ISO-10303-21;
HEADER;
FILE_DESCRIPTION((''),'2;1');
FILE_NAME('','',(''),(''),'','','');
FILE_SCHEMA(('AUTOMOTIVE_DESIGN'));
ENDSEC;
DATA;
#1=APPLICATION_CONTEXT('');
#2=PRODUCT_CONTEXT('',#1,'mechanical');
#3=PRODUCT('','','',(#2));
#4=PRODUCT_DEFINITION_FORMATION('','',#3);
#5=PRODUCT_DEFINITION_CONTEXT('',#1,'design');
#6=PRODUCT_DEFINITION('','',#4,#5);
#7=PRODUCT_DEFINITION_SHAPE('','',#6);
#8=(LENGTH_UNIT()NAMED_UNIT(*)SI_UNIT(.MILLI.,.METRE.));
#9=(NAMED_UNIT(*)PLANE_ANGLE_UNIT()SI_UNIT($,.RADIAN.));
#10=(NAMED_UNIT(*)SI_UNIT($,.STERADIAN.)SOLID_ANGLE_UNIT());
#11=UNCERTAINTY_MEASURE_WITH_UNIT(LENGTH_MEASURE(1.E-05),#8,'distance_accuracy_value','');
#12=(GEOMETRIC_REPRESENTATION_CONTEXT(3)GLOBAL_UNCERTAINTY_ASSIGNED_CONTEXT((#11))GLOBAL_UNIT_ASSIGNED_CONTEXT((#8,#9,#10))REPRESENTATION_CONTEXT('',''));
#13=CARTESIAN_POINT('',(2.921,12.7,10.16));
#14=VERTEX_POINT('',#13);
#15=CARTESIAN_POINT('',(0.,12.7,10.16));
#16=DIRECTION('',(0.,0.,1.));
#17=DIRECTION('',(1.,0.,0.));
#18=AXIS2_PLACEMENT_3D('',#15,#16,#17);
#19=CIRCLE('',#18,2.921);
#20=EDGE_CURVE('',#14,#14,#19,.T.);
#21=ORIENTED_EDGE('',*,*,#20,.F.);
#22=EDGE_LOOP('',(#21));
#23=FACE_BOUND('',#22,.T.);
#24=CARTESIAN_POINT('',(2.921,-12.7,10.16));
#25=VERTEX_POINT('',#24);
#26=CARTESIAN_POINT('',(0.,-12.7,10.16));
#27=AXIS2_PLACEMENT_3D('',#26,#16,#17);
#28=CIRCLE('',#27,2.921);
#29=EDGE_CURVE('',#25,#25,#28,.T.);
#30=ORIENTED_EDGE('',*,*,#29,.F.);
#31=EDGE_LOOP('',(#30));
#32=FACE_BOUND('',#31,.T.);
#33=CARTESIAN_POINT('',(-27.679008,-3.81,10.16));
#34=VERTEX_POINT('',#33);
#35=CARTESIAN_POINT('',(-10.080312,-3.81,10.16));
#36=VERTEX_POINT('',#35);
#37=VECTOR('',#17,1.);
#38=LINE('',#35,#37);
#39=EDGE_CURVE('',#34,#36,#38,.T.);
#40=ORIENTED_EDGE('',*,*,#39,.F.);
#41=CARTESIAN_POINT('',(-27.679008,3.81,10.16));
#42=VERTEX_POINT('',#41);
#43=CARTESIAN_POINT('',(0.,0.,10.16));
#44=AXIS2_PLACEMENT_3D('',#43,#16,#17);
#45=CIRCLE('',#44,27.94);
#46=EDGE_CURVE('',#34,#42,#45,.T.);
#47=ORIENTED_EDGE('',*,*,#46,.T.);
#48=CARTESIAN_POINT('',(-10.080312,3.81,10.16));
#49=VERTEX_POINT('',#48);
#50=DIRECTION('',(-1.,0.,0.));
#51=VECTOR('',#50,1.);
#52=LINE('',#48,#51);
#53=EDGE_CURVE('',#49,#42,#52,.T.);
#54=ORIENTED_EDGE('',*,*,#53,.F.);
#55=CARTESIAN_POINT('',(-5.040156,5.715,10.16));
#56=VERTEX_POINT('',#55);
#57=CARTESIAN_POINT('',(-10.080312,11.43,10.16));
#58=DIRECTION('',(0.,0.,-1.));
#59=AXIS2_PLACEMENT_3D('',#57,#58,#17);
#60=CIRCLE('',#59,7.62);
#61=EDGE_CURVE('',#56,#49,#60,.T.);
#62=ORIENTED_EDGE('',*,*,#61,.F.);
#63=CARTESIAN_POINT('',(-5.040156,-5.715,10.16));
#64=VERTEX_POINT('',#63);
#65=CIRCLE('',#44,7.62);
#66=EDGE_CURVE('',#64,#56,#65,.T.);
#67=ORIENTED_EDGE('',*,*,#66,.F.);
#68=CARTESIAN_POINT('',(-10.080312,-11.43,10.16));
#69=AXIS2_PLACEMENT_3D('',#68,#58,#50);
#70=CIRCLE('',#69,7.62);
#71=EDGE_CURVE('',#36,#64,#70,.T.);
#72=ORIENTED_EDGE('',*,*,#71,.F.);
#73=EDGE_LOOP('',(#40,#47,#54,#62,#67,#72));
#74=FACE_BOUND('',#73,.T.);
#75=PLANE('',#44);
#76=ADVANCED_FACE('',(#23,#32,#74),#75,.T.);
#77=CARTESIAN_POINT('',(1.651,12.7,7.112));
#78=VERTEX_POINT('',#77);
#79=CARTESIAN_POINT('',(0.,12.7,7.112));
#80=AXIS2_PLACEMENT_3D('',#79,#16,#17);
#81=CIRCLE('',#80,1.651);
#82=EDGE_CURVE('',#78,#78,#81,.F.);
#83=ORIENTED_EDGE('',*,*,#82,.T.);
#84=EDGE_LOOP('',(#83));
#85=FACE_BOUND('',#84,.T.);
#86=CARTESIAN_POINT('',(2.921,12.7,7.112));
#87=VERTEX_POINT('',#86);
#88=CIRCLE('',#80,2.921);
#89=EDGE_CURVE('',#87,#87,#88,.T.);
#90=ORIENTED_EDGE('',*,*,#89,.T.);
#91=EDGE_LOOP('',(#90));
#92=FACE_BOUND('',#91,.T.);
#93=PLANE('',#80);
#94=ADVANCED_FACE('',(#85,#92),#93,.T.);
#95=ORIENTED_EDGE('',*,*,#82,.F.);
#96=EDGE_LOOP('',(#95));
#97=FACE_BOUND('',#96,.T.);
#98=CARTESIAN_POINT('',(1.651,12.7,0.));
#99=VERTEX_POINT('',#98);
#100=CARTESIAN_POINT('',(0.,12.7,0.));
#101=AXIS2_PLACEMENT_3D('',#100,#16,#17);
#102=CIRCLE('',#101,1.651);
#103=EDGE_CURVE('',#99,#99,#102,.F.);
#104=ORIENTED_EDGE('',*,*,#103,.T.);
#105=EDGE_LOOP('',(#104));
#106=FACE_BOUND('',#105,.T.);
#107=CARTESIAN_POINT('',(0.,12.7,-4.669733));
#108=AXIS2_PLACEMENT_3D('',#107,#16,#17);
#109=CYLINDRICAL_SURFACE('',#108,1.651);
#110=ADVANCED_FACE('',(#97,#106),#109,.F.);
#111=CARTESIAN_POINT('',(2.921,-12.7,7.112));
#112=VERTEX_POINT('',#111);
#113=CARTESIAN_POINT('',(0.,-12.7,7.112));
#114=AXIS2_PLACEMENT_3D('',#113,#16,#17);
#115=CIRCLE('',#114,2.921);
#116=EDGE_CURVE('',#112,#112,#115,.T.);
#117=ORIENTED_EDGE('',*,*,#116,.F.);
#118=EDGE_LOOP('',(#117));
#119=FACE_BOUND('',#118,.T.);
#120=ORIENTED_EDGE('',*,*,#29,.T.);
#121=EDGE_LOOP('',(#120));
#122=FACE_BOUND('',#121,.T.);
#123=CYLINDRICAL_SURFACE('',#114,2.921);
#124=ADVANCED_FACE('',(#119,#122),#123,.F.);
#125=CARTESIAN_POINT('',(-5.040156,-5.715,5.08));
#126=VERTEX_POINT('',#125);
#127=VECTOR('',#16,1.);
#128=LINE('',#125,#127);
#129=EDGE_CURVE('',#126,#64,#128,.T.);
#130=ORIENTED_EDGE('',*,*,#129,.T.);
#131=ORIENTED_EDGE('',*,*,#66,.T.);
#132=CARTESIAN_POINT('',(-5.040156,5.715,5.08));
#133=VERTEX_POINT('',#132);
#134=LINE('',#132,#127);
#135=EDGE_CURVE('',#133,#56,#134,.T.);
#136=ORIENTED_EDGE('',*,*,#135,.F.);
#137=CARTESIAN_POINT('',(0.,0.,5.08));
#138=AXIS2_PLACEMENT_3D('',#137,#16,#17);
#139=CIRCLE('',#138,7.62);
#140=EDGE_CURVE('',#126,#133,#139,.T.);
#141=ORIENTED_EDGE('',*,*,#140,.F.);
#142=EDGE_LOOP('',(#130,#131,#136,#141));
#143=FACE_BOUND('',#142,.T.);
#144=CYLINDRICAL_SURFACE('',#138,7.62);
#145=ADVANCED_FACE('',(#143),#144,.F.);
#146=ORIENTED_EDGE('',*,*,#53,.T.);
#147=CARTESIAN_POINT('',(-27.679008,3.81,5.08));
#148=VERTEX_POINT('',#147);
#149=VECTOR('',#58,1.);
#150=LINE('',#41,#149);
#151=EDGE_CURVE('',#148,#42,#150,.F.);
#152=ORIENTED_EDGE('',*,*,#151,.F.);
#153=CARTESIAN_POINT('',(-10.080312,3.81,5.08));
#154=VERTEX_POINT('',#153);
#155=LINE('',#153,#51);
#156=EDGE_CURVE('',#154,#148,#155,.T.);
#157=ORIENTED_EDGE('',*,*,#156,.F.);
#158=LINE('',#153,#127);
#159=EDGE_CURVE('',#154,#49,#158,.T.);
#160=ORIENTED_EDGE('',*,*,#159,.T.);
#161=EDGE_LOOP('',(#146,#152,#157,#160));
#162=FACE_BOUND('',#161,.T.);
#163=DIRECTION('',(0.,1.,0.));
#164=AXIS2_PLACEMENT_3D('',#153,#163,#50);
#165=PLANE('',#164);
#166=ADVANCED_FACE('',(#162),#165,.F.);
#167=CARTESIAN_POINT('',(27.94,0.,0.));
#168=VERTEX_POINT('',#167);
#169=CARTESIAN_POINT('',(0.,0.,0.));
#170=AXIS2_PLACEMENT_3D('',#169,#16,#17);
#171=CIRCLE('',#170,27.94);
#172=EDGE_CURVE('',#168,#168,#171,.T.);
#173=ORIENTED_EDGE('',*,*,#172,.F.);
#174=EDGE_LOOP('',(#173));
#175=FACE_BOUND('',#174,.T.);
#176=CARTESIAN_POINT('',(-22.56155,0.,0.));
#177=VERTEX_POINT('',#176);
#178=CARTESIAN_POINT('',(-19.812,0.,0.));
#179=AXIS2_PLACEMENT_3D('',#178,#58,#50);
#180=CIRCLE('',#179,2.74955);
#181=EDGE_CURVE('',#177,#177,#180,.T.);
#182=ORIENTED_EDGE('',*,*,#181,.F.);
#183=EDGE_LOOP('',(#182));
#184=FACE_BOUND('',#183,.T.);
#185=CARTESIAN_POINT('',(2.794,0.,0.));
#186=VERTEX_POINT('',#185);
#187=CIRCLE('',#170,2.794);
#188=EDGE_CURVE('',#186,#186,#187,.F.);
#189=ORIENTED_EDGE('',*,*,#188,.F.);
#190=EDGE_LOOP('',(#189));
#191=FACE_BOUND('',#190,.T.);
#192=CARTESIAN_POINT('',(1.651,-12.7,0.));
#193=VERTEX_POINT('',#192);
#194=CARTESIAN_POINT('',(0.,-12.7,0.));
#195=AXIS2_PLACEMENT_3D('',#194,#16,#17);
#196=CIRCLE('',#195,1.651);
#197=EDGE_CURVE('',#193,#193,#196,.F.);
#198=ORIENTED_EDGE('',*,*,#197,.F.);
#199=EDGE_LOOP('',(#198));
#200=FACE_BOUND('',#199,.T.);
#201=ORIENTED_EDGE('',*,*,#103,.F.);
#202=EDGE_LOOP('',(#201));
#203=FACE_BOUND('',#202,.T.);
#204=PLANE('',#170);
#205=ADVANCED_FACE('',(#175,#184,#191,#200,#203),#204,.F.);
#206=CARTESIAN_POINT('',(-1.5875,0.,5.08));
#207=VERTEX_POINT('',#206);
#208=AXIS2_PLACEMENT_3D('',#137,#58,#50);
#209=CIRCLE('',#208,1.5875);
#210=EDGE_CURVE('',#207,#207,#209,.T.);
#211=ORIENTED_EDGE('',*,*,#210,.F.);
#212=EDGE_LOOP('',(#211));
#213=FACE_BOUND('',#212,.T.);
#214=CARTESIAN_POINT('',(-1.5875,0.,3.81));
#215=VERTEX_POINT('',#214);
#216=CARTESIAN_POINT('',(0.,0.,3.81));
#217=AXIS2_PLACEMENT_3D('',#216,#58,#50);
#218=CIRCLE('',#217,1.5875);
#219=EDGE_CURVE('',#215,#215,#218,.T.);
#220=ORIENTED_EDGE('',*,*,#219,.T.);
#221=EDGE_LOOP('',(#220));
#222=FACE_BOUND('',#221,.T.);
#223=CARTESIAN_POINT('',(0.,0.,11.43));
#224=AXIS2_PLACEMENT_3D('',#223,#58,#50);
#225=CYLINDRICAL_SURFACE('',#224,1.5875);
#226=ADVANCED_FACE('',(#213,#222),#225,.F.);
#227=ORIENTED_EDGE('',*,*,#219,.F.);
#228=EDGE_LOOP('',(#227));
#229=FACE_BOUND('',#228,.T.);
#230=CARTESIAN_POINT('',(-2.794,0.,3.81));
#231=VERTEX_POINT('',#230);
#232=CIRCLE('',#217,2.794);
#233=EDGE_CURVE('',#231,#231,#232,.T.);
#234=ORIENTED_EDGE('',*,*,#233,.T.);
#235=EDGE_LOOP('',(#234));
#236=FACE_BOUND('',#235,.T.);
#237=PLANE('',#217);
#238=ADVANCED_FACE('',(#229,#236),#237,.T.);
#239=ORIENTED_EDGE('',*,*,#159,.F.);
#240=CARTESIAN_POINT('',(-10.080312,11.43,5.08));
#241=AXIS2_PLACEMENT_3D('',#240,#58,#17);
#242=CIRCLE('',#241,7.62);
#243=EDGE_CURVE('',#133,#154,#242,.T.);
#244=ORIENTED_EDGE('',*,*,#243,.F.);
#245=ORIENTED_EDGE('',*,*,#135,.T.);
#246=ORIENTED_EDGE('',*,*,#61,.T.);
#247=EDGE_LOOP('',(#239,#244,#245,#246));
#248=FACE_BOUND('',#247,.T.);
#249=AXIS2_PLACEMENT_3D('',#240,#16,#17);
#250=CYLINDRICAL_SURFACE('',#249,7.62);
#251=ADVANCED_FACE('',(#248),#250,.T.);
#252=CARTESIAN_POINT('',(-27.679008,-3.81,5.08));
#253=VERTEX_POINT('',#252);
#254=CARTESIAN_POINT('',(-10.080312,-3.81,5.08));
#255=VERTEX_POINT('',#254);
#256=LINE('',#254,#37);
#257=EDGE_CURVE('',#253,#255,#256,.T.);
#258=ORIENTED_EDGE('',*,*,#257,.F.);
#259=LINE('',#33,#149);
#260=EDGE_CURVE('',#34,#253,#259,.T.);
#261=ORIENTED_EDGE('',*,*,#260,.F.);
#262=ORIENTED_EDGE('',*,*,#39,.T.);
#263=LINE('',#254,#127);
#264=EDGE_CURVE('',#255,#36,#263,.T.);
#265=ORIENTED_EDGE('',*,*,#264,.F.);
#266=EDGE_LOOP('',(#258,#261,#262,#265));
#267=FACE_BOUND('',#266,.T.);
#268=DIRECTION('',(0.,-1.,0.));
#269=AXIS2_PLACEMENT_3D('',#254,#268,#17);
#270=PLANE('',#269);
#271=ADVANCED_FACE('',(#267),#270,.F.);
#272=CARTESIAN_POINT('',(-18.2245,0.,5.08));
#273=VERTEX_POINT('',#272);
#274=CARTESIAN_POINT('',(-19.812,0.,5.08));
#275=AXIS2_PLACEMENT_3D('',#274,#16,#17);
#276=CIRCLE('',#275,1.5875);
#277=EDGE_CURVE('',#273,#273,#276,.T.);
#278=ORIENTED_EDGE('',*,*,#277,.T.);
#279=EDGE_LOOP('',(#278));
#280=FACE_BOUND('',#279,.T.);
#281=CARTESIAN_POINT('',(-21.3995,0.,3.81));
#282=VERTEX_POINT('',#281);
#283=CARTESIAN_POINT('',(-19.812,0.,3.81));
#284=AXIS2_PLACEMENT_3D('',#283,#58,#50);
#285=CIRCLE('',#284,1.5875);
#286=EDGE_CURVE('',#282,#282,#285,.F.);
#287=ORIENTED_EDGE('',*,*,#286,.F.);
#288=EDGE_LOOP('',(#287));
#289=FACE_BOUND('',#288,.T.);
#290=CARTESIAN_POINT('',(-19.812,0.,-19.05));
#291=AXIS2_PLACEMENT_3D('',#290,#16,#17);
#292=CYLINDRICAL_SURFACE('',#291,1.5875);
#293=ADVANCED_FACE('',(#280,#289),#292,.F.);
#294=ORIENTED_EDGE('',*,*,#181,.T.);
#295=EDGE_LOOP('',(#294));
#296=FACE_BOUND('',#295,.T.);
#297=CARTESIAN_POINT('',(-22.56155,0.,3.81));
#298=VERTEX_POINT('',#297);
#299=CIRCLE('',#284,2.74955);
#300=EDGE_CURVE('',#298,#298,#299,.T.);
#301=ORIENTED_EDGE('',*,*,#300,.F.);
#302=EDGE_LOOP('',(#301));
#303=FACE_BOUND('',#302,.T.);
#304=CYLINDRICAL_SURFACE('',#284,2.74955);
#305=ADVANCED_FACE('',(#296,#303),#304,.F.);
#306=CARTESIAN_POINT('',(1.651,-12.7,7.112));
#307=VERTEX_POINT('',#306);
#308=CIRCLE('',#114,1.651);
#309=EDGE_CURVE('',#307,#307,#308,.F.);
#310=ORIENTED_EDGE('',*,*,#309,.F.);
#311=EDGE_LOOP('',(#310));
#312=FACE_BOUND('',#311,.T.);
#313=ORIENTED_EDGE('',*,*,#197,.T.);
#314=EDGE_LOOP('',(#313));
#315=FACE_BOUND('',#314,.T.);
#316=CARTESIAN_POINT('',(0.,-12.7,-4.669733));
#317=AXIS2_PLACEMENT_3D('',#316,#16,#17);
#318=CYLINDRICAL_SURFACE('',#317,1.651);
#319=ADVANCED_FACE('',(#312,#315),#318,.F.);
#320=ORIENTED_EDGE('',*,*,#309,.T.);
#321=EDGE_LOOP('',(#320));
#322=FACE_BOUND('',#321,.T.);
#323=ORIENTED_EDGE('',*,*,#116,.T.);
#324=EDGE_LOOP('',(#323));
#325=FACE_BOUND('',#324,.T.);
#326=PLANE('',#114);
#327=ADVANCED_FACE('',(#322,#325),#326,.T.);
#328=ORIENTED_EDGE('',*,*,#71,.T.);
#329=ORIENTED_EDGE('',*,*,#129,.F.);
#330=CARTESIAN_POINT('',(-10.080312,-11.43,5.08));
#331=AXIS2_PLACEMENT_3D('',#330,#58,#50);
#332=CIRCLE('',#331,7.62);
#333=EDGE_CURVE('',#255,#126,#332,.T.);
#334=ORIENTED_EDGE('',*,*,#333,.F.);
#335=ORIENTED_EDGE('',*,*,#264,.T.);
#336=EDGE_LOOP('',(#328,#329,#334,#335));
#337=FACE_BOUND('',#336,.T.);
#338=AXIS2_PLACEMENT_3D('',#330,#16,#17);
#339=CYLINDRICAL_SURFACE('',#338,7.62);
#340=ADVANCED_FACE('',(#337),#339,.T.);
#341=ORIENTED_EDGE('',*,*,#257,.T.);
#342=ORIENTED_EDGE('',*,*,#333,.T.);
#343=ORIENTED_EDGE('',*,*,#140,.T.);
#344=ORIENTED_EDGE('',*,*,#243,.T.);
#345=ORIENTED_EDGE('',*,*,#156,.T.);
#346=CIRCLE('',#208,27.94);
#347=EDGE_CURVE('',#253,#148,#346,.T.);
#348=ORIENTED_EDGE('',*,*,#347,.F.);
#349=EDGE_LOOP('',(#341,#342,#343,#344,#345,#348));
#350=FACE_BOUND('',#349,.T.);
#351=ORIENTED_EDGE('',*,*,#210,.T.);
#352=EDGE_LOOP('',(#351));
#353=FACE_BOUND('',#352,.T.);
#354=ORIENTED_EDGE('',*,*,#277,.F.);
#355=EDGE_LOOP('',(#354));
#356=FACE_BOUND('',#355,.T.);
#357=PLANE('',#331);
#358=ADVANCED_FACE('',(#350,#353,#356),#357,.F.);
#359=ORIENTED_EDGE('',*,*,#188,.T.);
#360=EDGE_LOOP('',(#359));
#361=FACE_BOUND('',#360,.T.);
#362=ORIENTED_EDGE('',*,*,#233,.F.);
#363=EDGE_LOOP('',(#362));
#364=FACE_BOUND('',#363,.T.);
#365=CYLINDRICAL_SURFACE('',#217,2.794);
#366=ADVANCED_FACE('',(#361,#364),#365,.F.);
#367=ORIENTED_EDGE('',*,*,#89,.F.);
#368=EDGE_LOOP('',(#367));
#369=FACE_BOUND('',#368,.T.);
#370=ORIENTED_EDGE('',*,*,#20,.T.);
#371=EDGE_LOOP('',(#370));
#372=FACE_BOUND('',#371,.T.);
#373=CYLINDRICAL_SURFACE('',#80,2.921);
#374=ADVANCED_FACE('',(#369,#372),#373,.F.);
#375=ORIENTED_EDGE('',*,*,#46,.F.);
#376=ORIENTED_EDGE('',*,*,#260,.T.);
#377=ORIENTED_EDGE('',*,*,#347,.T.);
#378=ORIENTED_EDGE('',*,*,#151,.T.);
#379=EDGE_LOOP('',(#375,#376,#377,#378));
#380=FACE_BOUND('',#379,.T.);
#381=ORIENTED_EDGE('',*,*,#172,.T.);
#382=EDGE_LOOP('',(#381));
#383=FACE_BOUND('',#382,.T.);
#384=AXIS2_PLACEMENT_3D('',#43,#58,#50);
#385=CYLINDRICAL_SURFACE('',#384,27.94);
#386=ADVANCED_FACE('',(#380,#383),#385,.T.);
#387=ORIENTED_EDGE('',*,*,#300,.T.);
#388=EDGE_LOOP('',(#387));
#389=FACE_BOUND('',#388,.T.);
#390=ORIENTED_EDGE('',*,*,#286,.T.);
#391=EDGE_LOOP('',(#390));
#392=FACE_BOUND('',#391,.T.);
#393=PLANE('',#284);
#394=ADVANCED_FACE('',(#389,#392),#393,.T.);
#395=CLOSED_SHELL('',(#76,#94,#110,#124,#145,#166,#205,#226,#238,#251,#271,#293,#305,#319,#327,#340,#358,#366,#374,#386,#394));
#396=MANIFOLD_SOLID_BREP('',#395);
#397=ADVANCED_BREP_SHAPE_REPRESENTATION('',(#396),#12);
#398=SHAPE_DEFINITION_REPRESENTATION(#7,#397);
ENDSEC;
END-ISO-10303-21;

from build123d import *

# Parameters (mm, degrees)
SKETCH3_R                = 7.408333333
BOSS_EXTRUDE1_DEPTH      = 7.62
CUT_EXTRUDE1_START       = -8.62
CUT_EXTRUDE1_DEPTH       = 9.62
FILLET1_R                = 0.355076163
CIRPATTERN1_COUNT        = 12
FILLET1_OF_CIRPATTERN1_R = 0.355076163
SCALE1_SCALE             = 2.5
SKETCH10_R               = 27.94
BOSS_EXTRUDE4_DEPTH      = 10.16
SKETCH11_R               = 5.08
CUT_EXTRUDE5_DEPTH       = 30.21
CUT_EXTRUDE6_DEPTH       = 5.08
SKETCH13_R               = 1.5875
CUT_EXTRUDE12_DEPTH      = 25.1300001
SKETCH16_R               = 2.74955
CUT_EXTRUDE13_DEPTH      = 3.81
SKETCH18_R               = 5.08
BOSS_EXTRUDE5_DEPTH      = 24.13
SKETCH19_R               = 2.794
CUT_EXTRUDE14_DEPTH      = 22.86
SKETCH20_R               = 1.5875
CUT_EXTRUDE15_DEPTH      = 7.62
SKETCH21_R               = 26.202104712
GEAR_CUT_EXTRUDE_DEPTH   = 19.05
SKETCH22_R               = 1.651
CUT_EXTRUDE17_DEPTH      = 10.16
SKETCH23_R               = 2.921
CUT_EXTRUDE18_DEPTH      = 3.048


with BuildPart() as part:
    # Sketch3 → Boss-Extrude1 (new body)
    with BuildSketch(Plane.XY):
        Circle(SKETCH3_R)
    extrude(amount=-BOSS_EXTRUDE1_DEPTH)

    # Sketch4 → Cut-Extrude1 (cut)
    with BuildSketch(Plane.XY.offset(CUT_EXTRUDE1_START)):
        with BuildLine():
            Line((4.993301754, 0.581811335), (5.926950078, 0.690598508))
            add(Edge.make_bspline(
                [(5.926950078, 0.690598508), (5.929318191, 0.690911872), (5.935944647, 0.691904892), (5.948407954, 0.694232443), (5.96863478, 0.69866684), (5.994230847, 0.70524939), (6.027084964, 0.714822349), (6.065467787, 0.727462413), (6.107282331, 0.74277265), (6.152345854, 0.760950457), (6.196898763, 0.780422108), (6.240942495, 0.801081108), (6.284441008, 0.822769247), (6.336662498, 0.8503395), (6.398612769, 0.885198626), (6.469984516, 0.92853373), (6.54965538, 0.980716028), (6.629400976, 1.037091207), (6.706647925, 1.095172788), (6.78320647, 1.156800213), (6.856219389, 1.218511327), (6.930432721, 1.285554849), (6.998115798, 1.348944008), (7.07205666, 1.423150182), (7.131183599, 1.483972917), (7.190627906, 1.549410219), (7.219315962, 1.581641114), (7.233873511, 1.598273068)],
                knots=[0, 0, 0, 0, 0, 0.005376749, 0.015083688, 0.02853182, 0.046610139, 0.064854849, 0.092110525, 0.119476176, 0.146842496, 0.174208854, 0.201574956, 0.228941013, 0.256307345, 0.307035032, 0.361767352, 0.416499661, 0.471231937, 0.525964282, 0.580696615, 0.635428982, 0.690161387, 0.744893688, 0.799626082, 0.854358408, 0.909090915, 0.909090915, 0.909090915, 0.909090915, 0.909090915], degree=4))
            ThreePointArc((7.233873511, 1.598273068), (7.408333333, 0), (7.233873511, -1.598273068))
            add(Edge.make_bspline(
                [(5.926950078, -0.690598508), (5.929318191, -0.690911872), (5.935944647, -0.691904892), (5.948407954, -0.694232443), (5.96863478, -0.69866684), (5.994230847, -0.70524939), (6.027084964, -0.714822349), (6.065467787, -0.727462413), (6.107282331, -0.74277265), (6.152345854, -0.760950457), (6.196898763, -0.780422108), (6.240942495, -0.801081108), (6.284441008, -0.822769247), (6.336662498, -0.8503395), (6.398612769, -0.885198626), (6.469984516, -0.92853373), (6.54965538, -0.980716028), (6.629400976, -1.037091207), (6.706647925, -1.095172788), (6.78320647, -1.156800213), (6.856219389, -1.218511327), (6.930432721, -1.285554849), (6.998115798, -1.348944008), (7.07205666, -1.423150182), (7.131183599, -1.483972917), (7.190627906, -1.549410219), (7.219315962, -1.581641114), (7.233873511, -1.598273068)],
                knots=[0, 0, 0, 0, 0, 0.005376749, 0.015083688, 0.02853182, 0.046610139, 0.064854849, 0.092110525, 0.119476176, 0.146842496, 0.174208854, 0.201574956, 0.228941013, 0.256307345, 0.307035032, 0.361767352, 0.416499661, 0.471231937, 0.525964282, 0.580696615, 0.635428982, 0.690161387, 0.744893688, 0.799626082, 0.854358408, 0.909090915, 0.909090915, 0.909090915, 0.909090915, 0.909090915], degree=4))
            Line((5.926950078, -0.690598508), (4.993301754, -0.581811335))
            ThreePointArc((4.993301754, -0.581811335), (5.027083333, 0), (4.993301754, 0.581811335))
        make_face()
    cut_extrude1 = extrude(amount=CUT_EXTRUDE1_DEPTH, mode=Mode.SUBTRACT)

    # Fillet1
    fillet1_edges = [part.edges().sort_by_distance(p)[0] for p in [
        (4.993301754, -0.581811335, -3.81),
        (4.993301754, 0.581811335, -3.81),
    ]]
    fillet(fillet1_edges, radius=FILLET1_R)

    # CirPattern1: Cut-Extrude1 ×12 about axis
    cirpattern1_axis = Axis((0, 0, 6.35), (0, 0, -1))
    for i in range(1, CIRPATTERN1_COUNT):
        add(cut_extrude1.rotate(cirpattern1_axis, i * 360 / CIRPATTERN1_COUNT), mode=Mode.SUBTRACT)

    # Fillet1 of CirPattern1
    fillet1_of_cirpattern1_edges = [part.edges().sort_by_distance(p)[0] for p in [
        (4.0334205, -3.000514274, -3.81),
        (4.615231836, -1.99278748, -3.81),
        (1.99278748, -4.615231836, -3.81),
        (3.000514274, -4.0334205, -3.81),
        (-0.581811335, -4.993301754, -3.81),
        (0.581811335, -4.993301754, -3.81),
        (-3.000514274, -4.0334205, -3.81),
        (-1.99278748, -4.615231836, -3.81),
        (-4.615231836, -1.99278748, -3.81),
        (-4.0334205, -3.000514274, -3.81),
        (-4.993301754, 0.581811335, -3.81),
        (-4.993301754, -0.581811335, -3.81),
        (-4.0334205, 3.000514274, -3.81),
        (-4.615231836, 1.99278748, -3.81),
        (-1.99278748, 4.615231836, -3.81),
        (-3.000514274, 4.0334205, -3.81),
        (0.581811335, 4.993301754, -3.81),
        (-0.581811335, 4.993301754, -3.81),
        (3.000514274, 4.0334205, -3.81),
        (1.99278748, 4.615231836, -3.81),
        (4.615231836, 1.99278748, -3.81),
        (4.0334205, 3.000514274, -3.81),
    ]]
    fillet(fillet1_of_cirpattern1_edges, radius=FILLET1_OF_CIRPATTERN1_R)


with BuildPart() as part_1:
    # Scale1: scaled about (0, 0, 0)
    add(part.part.scale(SCALE1_SCALE))

    # Sketch10 → Boss-Extrude4 (add)
    with BuildSketch(Plane.XY):
        Circle(SKETCH10_R)
    extrude(amount=BOSS_EXTRUDE4_DEPTH)

    # Sketch11 → Cut-Extrude5 (cut, through all)
    with BuildSketch(Plane(origin=(0, 0, -19.05), x_dir=(-1, 0, 0), z_dir=(0, 0, -1))):
        Circle(SKETCH11_R)
    extrude(amount=-CUT_EXTRUDE5_DEPTH, mode=Mode.SUBTRACT)

    # Sketch12 → Cut-Extrude6 (cut)
    with BuildSketch(Plane.XY.offset(10.16)):
        with BuildLine():
            Line((-10.080312495, -3.81), (-28.438556916, -3.81))
            Line((-28.438556916, -3.81), (-28.438556916, 3.81))
            Line((-28.438556916, 3.81), (-10.080312495, 3.81))
            ThreePointArc((-10.080312495, 3.81), (-7.386235659, 4.302142678), (-5.040156248, 5.715))
            ThreePointArc((-5.040156248, 5.715), (7.62, 0), (-5.040156248, -5.715))
            ThreePointArc((-5.040156248, -5.715), (-7.386235659, -4.302142678), (-10.080312495, -3.81))
        make_face()
    extrude(amount=-CUT_EXTRUDE6_DEPTH, mode=Mode.SUBTRACT)

    # Sketch13 → Cut-Extrude12 (cut, through all)
    with BuildSketch(Plane.XY.offset(5.08)):
        with Locations((-19.812, 0)):
            Circle(SKETCH13_R)
    extrude(amount=-CUT_EXTRUDE12_DEPTH, mode=Mode.SUBTRACT)

    # Sketch16 → Cut-Extrude13 (cut)
    with BuildSketch(Plane(origin=(0, 0, 0), x_dir=(-1, 0, 0), z_dir=(0, 0, -1))):
        with Locations((19.812, 0)):
            Circle(SKETCH16_R)
    extrude(amount=-CUT_EXTRUDE13_DEPTH, mode=Mode.SUBTRACT)

    # Sketch18 → Boss-Extrude5 (add)
    with BuildSketch(Plane(origin=(0, 0, -19.05), x_dir=(-1, 0, 0), z_dir=(0, 0, -1))):
        Circle(SKETCH18_R)
    extrude(amount=-BOSS_EXTRUDE5_DEPTH)

    # Sketch19 → Cut-Extrude14 (cut)
    with BuildSketch(Plane(origin=(0, 0, -19.05), x_dir=(-1, 0, 0), z_dir=(0, 0, -1))):
        Circle(SKETCH19_R)
    extrude(amount=-CUT_EXTRUDE14_DEPTH, mode=Mode.SUBTRACT)

    # Sketch20 → Cut-Extrude15 (cut)
    with BuildSketch(Plane(origin=(0, 0, 3.81), x_dir=(-1, 0, 0), z_dir=(0, 0, -1))):
        Circle(SKETCH20_R)
    extrude(amount=-CUT_EXTRUDE15_DEPTH, mode=Mode.SUBTRACT)

    # Sketch21 → Gear Cut Extrude (cut)
    with BuildSketch(Plane(origin=(0, 0, -19.05), x_dir=(-1, 0, 0), z_dir=(0, 0, -1))):
        Circle(SKETCH21_R)
    extrude(amount=-GEAR_CUT_EXTRUDE_DEPTH, mode=Mode.SUBTRACT)

    # Sketch22 → Cut-Extrude17 (cut)
    with BuildSketch(Plane.XY.offset(10.16)):
        with Locations((0, 12.7)):
            Circle(SKETCH22_R)
        with Locations((0, -12.7)):
            Circle(SKETCH22_R)
    extrude(amount=-CUT_EXTRUDE17_DEPTH, mode=Mode.SUBTRACT)

    # Sketch23 → Cut-Extrude18 (cut)
    with BuildSketch(Plane.XY.offset(10.16)):
        with Locations((0, -12.7)):
            Circle(SKETCH23_R)
        with Locations((0, 12.7)):
            Circle(SKETCH23_R)
    extrude(amount=-CUT_EXTRUDE18_DEPTH, mode=Mode.SUBTRACT)


solid = part_1.part
